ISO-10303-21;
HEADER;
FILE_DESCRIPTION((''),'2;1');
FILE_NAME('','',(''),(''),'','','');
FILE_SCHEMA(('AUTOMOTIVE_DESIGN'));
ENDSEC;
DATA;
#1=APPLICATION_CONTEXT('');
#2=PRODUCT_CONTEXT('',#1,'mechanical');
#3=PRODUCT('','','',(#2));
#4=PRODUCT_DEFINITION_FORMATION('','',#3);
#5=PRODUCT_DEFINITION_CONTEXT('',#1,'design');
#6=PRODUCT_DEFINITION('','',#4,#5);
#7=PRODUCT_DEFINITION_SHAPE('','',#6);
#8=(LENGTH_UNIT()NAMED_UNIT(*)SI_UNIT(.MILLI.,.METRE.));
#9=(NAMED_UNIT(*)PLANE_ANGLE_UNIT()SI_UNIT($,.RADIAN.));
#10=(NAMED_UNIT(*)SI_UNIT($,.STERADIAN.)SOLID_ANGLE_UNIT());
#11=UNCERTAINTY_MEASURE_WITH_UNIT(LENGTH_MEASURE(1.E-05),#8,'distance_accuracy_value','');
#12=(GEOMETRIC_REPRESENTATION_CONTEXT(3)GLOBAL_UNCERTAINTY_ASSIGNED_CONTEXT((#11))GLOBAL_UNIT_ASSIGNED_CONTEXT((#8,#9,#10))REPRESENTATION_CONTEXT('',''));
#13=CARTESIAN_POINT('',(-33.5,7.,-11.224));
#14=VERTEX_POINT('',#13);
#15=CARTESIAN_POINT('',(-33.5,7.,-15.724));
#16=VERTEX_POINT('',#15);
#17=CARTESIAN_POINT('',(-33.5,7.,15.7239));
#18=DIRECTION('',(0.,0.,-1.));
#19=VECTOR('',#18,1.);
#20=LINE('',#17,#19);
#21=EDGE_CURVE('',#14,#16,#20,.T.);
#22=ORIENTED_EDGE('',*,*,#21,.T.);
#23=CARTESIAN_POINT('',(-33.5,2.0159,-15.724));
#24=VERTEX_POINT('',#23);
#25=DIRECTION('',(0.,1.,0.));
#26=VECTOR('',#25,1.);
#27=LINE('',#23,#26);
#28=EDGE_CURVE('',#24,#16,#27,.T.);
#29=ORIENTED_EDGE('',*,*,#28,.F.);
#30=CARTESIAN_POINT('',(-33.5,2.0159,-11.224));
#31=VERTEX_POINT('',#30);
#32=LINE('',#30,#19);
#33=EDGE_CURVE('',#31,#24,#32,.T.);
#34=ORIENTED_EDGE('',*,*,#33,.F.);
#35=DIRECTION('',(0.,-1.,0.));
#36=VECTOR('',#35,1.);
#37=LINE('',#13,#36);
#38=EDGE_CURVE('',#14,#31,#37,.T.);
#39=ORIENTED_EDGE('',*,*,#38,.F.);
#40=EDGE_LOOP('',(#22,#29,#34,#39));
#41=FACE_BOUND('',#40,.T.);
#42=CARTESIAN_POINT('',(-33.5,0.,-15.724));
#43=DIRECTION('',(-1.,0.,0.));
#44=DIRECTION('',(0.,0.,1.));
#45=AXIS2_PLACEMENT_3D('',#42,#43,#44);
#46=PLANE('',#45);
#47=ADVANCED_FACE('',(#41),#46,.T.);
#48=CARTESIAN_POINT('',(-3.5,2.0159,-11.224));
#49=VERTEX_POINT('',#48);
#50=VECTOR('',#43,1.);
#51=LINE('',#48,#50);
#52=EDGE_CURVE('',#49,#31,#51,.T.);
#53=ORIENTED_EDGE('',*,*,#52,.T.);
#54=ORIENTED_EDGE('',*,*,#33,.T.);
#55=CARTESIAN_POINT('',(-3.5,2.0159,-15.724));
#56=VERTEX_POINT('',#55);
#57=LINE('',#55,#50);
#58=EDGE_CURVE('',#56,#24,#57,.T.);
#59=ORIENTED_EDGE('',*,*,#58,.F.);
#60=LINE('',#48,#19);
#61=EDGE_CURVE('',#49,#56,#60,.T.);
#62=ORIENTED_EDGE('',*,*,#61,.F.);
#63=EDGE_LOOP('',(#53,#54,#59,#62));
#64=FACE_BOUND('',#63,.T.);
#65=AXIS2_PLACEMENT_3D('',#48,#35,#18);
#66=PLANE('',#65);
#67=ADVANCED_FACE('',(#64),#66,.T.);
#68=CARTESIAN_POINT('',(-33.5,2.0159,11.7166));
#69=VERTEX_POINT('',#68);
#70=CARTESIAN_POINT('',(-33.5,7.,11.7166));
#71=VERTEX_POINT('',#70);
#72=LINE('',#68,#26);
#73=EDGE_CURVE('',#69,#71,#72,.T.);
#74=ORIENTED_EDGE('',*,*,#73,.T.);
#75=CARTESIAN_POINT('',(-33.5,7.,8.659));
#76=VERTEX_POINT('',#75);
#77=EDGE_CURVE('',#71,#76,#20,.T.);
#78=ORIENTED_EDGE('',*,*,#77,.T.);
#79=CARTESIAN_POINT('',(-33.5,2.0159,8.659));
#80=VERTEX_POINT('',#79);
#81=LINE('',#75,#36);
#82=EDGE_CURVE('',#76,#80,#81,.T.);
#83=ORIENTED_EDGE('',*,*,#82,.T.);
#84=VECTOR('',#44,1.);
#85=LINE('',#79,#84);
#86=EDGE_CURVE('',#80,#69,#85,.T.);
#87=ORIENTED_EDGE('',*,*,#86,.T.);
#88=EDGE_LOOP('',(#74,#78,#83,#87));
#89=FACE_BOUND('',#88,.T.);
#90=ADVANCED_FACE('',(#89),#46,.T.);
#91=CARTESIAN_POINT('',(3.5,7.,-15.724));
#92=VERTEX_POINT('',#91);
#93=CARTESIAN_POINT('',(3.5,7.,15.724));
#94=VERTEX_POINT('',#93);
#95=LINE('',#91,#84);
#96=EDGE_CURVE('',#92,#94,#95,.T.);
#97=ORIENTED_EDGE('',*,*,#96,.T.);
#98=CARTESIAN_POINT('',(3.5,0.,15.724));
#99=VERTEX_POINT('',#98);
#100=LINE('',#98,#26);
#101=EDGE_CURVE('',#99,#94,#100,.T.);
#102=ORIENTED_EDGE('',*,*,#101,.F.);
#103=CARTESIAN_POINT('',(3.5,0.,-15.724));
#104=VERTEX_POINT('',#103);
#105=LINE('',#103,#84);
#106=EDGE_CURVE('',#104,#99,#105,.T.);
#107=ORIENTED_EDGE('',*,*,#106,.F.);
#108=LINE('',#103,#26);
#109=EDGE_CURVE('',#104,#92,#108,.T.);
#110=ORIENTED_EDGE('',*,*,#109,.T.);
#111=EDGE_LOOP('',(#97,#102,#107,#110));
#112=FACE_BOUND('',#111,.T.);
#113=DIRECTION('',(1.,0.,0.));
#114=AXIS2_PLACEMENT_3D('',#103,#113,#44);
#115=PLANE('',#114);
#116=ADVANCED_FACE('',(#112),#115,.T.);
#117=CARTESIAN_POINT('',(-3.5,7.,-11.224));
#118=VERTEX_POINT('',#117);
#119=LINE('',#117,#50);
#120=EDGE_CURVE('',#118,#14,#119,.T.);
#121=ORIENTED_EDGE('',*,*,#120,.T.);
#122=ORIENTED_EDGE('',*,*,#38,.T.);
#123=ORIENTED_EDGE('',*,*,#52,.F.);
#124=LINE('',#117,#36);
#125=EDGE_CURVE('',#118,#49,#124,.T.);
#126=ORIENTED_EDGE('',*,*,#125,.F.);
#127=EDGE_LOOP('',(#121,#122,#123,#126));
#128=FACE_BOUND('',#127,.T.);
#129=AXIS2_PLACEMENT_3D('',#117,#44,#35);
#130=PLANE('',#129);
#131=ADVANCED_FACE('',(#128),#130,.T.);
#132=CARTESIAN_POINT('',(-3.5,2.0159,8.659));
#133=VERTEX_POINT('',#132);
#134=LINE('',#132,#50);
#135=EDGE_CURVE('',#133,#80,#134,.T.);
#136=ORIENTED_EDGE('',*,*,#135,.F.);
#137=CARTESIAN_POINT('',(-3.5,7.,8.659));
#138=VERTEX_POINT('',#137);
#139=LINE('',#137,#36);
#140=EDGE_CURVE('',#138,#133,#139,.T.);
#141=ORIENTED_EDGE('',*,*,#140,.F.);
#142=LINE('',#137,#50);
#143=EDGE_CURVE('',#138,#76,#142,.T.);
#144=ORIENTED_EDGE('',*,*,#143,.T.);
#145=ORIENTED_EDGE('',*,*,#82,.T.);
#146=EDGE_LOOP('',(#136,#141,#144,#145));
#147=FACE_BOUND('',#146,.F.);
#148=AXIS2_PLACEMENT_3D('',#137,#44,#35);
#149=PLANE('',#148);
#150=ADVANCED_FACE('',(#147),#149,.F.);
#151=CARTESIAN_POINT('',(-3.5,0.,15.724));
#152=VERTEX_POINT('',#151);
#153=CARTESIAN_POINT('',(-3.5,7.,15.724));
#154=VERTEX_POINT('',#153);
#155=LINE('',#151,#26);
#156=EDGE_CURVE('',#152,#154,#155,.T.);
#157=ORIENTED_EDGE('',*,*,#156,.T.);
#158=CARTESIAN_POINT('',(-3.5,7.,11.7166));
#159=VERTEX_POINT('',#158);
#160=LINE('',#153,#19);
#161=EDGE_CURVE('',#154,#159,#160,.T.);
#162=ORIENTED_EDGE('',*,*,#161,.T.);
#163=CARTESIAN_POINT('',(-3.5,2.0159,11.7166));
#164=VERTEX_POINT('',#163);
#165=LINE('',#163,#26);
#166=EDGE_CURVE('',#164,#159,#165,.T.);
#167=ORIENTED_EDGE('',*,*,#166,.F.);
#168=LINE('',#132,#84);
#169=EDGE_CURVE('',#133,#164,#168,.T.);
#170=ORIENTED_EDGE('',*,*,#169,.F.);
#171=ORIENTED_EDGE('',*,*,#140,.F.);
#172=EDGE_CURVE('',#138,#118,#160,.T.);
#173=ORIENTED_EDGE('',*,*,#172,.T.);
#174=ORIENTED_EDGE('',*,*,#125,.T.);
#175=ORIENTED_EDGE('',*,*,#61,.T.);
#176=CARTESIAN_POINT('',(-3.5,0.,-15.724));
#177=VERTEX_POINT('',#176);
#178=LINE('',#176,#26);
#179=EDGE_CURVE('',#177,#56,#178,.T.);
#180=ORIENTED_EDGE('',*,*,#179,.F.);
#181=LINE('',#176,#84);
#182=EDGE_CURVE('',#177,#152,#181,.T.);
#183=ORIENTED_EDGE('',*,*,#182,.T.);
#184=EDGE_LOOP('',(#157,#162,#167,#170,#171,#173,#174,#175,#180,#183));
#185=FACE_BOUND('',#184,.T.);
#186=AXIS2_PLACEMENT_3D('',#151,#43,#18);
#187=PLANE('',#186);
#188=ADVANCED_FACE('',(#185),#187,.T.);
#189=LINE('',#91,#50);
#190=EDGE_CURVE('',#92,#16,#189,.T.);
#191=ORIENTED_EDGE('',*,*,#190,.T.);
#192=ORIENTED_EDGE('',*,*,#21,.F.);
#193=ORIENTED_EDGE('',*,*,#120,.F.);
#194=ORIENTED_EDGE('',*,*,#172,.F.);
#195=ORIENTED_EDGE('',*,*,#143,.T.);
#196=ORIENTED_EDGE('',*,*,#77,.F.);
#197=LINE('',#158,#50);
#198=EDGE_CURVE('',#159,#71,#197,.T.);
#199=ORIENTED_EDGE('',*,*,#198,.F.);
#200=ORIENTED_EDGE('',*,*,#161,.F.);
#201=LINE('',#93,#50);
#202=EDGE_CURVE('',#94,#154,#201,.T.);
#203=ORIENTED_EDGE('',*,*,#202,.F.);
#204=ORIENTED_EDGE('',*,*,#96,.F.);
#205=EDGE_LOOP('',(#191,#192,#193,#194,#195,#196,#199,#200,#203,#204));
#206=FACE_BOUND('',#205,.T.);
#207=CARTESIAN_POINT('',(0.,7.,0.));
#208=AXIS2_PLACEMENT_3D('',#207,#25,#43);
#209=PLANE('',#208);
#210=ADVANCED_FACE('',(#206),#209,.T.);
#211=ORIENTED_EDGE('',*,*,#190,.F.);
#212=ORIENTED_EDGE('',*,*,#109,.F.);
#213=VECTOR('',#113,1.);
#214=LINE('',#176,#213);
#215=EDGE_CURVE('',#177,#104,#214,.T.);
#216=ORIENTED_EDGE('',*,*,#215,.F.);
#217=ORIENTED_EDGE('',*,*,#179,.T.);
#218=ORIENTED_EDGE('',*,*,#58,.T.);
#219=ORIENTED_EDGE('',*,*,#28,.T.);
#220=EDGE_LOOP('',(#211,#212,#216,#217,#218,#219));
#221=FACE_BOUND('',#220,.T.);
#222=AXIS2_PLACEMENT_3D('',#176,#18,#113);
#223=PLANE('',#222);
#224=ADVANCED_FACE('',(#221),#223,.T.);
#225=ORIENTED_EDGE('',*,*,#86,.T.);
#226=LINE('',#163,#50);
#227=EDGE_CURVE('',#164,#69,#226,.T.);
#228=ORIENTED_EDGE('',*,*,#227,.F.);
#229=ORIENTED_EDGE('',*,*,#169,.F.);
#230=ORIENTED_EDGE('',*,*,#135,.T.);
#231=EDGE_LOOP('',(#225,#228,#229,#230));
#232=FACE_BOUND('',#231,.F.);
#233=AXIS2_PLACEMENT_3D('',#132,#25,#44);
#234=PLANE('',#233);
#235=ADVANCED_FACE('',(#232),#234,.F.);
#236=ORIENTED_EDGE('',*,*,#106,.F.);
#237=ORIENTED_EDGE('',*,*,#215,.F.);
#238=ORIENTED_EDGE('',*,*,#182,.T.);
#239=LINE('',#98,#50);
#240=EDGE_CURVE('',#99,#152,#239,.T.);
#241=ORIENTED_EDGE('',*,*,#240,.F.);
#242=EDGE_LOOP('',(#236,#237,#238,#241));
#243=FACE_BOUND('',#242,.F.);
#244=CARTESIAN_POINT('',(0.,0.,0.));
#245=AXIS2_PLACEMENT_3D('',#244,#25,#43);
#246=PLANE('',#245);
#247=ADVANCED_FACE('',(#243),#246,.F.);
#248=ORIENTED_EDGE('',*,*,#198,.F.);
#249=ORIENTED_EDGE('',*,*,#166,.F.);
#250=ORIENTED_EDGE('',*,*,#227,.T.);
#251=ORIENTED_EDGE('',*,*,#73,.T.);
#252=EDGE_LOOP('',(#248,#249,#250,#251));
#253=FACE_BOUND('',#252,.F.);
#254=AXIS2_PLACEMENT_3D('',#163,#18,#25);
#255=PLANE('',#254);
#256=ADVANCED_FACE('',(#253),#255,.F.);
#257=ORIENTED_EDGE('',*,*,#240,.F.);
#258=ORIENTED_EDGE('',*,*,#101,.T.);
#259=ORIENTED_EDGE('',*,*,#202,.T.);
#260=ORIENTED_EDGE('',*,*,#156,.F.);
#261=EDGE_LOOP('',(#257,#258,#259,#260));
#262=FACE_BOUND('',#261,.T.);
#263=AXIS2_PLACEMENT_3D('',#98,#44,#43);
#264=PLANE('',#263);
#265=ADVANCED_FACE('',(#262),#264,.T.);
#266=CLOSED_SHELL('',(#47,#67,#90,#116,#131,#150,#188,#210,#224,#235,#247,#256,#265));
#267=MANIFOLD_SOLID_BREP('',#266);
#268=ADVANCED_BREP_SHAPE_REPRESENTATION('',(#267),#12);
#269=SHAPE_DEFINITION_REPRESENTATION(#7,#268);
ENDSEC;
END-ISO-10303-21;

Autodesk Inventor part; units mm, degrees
ref_plane "YZ Plane" through (0, 0, 0) normal (1, 0, 0) x (0, 1, 0)
ref_plane "XZ Plane" through (0, 0, 0) normal (0, 1, 0) x (-1, 0, 0)
ref_plane "XY Plane" through (0, 0, 0) normal (0, 0, 1) x (1, 0, 0)
sketch "Sketch1" plane through (0, 0, 0) normal (0, 1, 0) x (-1, 0, 0)
  line L0 (-3.5, 15.724) -> (3.5, 15.724)
  line L1 (3.5, 15.724) -> (3.5, -15.724)
  line L2 (3.5, -15.724) -> (-3.5, -15.724)
  line L3 (-3.5, -15.724) -> (-3.5, 15.724)
  line L4 (-3.5, 15.724) -> (3.5, -15.724) construction
  line L5 (3.5, 15.724) -> (-3.5, -15.724) construction
  line L6 (3.5, 15.724) -> (3.5, 11.724)
  point P0 (0, 0)
  dimension "d0" = 7
  dimension "d1" = 4
extrude "Extrusion1" add sketch "Sketch1" along normal blind 7
sketch "Sketch2" plane through (-3.5, 0, -15.724) normal (-1, 0, 0) x (0, 0, 1)
  line L0 (31.4479, 7) -> (0, 7) projected
  line L1 (31.4479, 7) -> (27.4406, 7)
  line L2 (0, 7) -> (4.5, 7)
  line L3 (4.5, 7) -> (4.5, 2.0159)
  line L4 (4.5, 2.0159) -> (0, 2.0159)
  line L5 (0, 2.0159) -> (0, 7)
  line L6 (27.4406, 7) -> (24.383, 7)
  line L7 (24.383, 7) -> (24.383, 2.0159)
  line L8 (24.383, 2.0159) -> (27.4406, 2.0159)
  line L9 (27.4406, 2.0159) -> (27.4406, 7)
  point P0 (15.724, 0)
  point P1 (4.5, 7)
  dimension "d4" = 4.5
extrude "Extrusion2" add sketch "Sketch2" along normal blind 30
properties part number "JoystickHållare"
